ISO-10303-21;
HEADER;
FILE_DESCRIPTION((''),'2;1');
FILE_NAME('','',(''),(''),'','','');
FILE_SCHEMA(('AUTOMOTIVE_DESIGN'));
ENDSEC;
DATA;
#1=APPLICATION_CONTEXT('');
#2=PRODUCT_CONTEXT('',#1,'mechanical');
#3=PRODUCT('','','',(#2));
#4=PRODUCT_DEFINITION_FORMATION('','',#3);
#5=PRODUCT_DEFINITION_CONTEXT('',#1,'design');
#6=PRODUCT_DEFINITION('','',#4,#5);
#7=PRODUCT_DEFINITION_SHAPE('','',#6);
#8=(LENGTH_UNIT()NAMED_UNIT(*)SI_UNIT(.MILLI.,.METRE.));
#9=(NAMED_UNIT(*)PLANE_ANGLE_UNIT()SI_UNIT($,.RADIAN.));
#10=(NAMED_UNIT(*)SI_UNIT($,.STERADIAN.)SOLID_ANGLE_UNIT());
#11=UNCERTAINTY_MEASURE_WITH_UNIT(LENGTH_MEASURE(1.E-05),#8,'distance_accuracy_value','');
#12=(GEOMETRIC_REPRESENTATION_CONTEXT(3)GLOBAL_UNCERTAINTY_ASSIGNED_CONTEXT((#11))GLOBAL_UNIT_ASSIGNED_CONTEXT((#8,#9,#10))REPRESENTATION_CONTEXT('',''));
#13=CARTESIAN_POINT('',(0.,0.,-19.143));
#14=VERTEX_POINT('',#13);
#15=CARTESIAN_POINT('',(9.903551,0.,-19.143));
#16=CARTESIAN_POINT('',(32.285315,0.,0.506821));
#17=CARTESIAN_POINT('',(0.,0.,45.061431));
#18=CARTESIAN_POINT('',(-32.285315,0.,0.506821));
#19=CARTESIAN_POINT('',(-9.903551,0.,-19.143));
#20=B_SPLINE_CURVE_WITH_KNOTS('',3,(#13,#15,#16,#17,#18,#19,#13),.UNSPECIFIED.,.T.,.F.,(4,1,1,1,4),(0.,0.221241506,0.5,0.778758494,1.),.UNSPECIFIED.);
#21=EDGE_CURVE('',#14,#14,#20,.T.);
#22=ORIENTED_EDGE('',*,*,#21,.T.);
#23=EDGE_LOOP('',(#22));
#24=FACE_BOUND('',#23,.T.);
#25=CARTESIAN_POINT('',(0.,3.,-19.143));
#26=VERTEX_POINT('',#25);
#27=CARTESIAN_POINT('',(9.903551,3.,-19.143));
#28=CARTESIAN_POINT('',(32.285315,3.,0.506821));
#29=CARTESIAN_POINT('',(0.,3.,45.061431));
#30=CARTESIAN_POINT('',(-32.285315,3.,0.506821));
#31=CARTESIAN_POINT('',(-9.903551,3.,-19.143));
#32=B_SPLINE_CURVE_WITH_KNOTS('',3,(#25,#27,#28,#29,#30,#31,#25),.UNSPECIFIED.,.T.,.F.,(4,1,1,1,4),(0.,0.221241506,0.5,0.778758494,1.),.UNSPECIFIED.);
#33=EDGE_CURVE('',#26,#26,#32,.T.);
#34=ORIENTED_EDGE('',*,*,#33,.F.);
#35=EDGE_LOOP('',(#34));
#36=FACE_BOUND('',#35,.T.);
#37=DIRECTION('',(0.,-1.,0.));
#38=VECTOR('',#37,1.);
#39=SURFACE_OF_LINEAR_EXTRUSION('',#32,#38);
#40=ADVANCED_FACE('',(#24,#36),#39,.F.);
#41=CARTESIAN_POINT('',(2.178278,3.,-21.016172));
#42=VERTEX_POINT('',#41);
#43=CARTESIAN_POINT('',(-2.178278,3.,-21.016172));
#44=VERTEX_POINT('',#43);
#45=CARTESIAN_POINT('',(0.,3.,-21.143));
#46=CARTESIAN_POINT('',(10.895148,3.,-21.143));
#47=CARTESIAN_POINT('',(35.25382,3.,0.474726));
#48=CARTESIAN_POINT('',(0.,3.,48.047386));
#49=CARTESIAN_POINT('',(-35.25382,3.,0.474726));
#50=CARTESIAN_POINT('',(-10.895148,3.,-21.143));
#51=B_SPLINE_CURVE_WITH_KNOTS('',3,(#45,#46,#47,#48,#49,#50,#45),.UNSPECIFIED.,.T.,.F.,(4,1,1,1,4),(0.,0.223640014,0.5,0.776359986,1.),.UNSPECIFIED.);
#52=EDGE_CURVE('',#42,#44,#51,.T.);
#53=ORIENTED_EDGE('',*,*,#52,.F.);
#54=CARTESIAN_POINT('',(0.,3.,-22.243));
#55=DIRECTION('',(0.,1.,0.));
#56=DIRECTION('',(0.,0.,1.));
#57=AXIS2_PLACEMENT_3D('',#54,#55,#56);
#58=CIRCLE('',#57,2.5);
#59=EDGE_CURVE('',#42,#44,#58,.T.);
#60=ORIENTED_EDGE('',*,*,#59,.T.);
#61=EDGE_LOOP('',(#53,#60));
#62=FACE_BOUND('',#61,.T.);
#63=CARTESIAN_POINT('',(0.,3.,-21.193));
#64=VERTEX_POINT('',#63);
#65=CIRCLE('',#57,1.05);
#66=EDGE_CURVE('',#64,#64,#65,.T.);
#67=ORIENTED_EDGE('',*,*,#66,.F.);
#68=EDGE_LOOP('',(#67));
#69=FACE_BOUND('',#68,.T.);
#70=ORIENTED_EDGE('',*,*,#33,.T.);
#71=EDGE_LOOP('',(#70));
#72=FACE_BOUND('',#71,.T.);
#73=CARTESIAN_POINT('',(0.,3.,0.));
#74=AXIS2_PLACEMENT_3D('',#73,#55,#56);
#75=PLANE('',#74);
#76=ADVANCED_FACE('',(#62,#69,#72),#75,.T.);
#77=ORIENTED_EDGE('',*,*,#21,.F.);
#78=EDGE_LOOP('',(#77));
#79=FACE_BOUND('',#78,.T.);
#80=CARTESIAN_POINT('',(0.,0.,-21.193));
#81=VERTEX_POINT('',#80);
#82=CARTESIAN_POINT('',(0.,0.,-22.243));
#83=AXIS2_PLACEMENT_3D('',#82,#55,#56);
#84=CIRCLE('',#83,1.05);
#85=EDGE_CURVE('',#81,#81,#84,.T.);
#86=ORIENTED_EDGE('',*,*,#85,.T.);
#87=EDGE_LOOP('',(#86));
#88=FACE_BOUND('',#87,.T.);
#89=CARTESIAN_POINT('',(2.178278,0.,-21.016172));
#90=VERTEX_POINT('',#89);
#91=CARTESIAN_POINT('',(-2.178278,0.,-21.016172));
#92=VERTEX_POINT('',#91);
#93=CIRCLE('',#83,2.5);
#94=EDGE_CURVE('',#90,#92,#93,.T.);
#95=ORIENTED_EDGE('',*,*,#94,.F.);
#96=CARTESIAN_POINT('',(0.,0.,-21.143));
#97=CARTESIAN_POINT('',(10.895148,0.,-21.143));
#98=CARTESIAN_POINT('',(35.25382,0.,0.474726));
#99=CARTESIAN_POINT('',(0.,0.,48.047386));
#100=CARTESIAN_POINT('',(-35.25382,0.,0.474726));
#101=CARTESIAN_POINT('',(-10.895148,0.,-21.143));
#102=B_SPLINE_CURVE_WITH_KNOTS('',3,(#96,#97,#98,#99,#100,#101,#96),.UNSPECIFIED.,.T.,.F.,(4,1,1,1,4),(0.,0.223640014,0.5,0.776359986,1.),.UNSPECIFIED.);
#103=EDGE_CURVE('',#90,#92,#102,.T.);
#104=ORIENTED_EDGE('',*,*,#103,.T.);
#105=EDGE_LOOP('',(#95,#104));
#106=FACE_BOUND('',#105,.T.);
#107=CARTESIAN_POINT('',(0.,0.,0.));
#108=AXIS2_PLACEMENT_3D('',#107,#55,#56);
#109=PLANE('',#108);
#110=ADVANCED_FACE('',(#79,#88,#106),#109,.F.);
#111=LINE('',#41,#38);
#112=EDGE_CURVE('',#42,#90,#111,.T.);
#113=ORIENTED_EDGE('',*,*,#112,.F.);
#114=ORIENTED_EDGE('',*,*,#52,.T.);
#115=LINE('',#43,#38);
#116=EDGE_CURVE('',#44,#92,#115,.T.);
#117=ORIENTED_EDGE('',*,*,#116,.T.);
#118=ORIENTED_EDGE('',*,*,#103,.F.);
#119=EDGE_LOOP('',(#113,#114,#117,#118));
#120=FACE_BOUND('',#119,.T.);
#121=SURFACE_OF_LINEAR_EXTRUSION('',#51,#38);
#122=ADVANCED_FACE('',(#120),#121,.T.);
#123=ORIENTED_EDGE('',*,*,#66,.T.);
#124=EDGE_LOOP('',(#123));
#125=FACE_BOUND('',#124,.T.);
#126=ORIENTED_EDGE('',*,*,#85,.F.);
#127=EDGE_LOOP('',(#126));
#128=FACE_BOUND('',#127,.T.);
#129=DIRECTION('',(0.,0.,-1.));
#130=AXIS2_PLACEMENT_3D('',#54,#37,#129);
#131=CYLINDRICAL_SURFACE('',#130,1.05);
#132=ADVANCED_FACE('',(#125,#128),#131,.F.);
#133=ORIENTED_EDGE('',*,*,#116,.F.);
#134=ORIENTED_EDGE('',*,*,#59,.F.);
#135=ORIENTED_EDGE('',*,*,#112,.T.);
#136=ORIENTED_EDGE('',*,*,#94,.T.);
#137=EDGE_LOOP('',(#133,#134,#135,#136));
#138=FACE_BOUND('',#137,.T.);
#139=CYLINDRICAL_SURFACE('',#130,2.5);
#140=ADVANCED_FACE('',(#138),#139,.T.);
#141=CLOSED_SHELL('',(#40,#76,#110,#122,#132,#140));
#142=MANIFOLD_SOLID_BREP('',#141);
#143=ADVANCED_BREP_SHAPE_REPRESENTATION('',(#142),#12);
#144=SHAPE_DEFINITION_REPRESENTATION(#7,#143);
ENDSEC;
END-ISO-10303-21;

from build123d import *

# Parameters (mm, degrees)
SKETCH1_R           = 1.05
BOSS_EXTRUDE1_DEPTH = 3


with BuildPart() as part:
    # Sketch1 → Boss-Extrude1 (new body)
    # profile 1 of 2: a face of its own
    with BuildSketch(Plane(origin=(0, 0, 0), x_dir=(1, 0, 0), z_dir=(0, 1, 0))):
        with BuildLine():
            add(Edge.make_bspline(
                [(0, 21.143), (0.727025102, 21.143), (1.454050205, 21.099945148), (2.178277681, 21.016172244)],
                knots=[0, 0, 0, 0, 0.014923332, 0.014923332, 0.014923332, 0.014923332], degree=3))
            ThreePointArc((2.178277681, 21.016172244), (0, 24.743), (-2.178277681, 21.016172244))
            add(Edge.make_bspline(
                [(-2.178277681, 21.016172244), (-1.454050205, 21.099945148), (-0.727025102, 21.143), (0, 21.143)],
                knots=[0.985076668, 0.985076668, 0.985076668, 0.985076668, 1, 1, 1, 1], degree=3))
        make_face()
        with Locations(Location((0, 22.243, 0), (0, 0, 270))):
            Circle(SKETCH1_R, mode=Mode.SUBTRACT)
    # profile 2 of 2: a face of its own
    with BuildSketch(Plane(origin=(0, 0, 0), x_dir=(1, 0, 0), z_dir=(0, 1, 0))):
        with BuildLine():
            add(Edge.make_bspline(
                [(0, 21.143), (10.895147515, 21.143), (35.253819525, -0.474726308), (0, -48.047385757), (-35.253819525, -0.474726308), (-10.895147515, 21.143), (0, 21.143)],
                knots=[0, 0, 0, 0, 0.223640014, 0.5, 0.776359986, 1, 1, 1, 1], degree=3))
        make_face()
        with BuildLine():
            add(Edge.make_bspline(
                [(0, 19.143), (9.903550643, 19.143), (32.285315288, -0.506820584), (0, -45.061430974), (-32.285315288, -0.506820584), (-9.903550643, 19.143), (0, 19.143)],
                knots=[0, 0, 0, 0, 0.221241506, 0.5, 0.778758494, 1, 1, 1, 1], degree=3))
        make_face(mode=Mode.SUBTRACT)
    extrude(amount=BOSS_EXTRUDE1_DEPTH)


solid = part.part
